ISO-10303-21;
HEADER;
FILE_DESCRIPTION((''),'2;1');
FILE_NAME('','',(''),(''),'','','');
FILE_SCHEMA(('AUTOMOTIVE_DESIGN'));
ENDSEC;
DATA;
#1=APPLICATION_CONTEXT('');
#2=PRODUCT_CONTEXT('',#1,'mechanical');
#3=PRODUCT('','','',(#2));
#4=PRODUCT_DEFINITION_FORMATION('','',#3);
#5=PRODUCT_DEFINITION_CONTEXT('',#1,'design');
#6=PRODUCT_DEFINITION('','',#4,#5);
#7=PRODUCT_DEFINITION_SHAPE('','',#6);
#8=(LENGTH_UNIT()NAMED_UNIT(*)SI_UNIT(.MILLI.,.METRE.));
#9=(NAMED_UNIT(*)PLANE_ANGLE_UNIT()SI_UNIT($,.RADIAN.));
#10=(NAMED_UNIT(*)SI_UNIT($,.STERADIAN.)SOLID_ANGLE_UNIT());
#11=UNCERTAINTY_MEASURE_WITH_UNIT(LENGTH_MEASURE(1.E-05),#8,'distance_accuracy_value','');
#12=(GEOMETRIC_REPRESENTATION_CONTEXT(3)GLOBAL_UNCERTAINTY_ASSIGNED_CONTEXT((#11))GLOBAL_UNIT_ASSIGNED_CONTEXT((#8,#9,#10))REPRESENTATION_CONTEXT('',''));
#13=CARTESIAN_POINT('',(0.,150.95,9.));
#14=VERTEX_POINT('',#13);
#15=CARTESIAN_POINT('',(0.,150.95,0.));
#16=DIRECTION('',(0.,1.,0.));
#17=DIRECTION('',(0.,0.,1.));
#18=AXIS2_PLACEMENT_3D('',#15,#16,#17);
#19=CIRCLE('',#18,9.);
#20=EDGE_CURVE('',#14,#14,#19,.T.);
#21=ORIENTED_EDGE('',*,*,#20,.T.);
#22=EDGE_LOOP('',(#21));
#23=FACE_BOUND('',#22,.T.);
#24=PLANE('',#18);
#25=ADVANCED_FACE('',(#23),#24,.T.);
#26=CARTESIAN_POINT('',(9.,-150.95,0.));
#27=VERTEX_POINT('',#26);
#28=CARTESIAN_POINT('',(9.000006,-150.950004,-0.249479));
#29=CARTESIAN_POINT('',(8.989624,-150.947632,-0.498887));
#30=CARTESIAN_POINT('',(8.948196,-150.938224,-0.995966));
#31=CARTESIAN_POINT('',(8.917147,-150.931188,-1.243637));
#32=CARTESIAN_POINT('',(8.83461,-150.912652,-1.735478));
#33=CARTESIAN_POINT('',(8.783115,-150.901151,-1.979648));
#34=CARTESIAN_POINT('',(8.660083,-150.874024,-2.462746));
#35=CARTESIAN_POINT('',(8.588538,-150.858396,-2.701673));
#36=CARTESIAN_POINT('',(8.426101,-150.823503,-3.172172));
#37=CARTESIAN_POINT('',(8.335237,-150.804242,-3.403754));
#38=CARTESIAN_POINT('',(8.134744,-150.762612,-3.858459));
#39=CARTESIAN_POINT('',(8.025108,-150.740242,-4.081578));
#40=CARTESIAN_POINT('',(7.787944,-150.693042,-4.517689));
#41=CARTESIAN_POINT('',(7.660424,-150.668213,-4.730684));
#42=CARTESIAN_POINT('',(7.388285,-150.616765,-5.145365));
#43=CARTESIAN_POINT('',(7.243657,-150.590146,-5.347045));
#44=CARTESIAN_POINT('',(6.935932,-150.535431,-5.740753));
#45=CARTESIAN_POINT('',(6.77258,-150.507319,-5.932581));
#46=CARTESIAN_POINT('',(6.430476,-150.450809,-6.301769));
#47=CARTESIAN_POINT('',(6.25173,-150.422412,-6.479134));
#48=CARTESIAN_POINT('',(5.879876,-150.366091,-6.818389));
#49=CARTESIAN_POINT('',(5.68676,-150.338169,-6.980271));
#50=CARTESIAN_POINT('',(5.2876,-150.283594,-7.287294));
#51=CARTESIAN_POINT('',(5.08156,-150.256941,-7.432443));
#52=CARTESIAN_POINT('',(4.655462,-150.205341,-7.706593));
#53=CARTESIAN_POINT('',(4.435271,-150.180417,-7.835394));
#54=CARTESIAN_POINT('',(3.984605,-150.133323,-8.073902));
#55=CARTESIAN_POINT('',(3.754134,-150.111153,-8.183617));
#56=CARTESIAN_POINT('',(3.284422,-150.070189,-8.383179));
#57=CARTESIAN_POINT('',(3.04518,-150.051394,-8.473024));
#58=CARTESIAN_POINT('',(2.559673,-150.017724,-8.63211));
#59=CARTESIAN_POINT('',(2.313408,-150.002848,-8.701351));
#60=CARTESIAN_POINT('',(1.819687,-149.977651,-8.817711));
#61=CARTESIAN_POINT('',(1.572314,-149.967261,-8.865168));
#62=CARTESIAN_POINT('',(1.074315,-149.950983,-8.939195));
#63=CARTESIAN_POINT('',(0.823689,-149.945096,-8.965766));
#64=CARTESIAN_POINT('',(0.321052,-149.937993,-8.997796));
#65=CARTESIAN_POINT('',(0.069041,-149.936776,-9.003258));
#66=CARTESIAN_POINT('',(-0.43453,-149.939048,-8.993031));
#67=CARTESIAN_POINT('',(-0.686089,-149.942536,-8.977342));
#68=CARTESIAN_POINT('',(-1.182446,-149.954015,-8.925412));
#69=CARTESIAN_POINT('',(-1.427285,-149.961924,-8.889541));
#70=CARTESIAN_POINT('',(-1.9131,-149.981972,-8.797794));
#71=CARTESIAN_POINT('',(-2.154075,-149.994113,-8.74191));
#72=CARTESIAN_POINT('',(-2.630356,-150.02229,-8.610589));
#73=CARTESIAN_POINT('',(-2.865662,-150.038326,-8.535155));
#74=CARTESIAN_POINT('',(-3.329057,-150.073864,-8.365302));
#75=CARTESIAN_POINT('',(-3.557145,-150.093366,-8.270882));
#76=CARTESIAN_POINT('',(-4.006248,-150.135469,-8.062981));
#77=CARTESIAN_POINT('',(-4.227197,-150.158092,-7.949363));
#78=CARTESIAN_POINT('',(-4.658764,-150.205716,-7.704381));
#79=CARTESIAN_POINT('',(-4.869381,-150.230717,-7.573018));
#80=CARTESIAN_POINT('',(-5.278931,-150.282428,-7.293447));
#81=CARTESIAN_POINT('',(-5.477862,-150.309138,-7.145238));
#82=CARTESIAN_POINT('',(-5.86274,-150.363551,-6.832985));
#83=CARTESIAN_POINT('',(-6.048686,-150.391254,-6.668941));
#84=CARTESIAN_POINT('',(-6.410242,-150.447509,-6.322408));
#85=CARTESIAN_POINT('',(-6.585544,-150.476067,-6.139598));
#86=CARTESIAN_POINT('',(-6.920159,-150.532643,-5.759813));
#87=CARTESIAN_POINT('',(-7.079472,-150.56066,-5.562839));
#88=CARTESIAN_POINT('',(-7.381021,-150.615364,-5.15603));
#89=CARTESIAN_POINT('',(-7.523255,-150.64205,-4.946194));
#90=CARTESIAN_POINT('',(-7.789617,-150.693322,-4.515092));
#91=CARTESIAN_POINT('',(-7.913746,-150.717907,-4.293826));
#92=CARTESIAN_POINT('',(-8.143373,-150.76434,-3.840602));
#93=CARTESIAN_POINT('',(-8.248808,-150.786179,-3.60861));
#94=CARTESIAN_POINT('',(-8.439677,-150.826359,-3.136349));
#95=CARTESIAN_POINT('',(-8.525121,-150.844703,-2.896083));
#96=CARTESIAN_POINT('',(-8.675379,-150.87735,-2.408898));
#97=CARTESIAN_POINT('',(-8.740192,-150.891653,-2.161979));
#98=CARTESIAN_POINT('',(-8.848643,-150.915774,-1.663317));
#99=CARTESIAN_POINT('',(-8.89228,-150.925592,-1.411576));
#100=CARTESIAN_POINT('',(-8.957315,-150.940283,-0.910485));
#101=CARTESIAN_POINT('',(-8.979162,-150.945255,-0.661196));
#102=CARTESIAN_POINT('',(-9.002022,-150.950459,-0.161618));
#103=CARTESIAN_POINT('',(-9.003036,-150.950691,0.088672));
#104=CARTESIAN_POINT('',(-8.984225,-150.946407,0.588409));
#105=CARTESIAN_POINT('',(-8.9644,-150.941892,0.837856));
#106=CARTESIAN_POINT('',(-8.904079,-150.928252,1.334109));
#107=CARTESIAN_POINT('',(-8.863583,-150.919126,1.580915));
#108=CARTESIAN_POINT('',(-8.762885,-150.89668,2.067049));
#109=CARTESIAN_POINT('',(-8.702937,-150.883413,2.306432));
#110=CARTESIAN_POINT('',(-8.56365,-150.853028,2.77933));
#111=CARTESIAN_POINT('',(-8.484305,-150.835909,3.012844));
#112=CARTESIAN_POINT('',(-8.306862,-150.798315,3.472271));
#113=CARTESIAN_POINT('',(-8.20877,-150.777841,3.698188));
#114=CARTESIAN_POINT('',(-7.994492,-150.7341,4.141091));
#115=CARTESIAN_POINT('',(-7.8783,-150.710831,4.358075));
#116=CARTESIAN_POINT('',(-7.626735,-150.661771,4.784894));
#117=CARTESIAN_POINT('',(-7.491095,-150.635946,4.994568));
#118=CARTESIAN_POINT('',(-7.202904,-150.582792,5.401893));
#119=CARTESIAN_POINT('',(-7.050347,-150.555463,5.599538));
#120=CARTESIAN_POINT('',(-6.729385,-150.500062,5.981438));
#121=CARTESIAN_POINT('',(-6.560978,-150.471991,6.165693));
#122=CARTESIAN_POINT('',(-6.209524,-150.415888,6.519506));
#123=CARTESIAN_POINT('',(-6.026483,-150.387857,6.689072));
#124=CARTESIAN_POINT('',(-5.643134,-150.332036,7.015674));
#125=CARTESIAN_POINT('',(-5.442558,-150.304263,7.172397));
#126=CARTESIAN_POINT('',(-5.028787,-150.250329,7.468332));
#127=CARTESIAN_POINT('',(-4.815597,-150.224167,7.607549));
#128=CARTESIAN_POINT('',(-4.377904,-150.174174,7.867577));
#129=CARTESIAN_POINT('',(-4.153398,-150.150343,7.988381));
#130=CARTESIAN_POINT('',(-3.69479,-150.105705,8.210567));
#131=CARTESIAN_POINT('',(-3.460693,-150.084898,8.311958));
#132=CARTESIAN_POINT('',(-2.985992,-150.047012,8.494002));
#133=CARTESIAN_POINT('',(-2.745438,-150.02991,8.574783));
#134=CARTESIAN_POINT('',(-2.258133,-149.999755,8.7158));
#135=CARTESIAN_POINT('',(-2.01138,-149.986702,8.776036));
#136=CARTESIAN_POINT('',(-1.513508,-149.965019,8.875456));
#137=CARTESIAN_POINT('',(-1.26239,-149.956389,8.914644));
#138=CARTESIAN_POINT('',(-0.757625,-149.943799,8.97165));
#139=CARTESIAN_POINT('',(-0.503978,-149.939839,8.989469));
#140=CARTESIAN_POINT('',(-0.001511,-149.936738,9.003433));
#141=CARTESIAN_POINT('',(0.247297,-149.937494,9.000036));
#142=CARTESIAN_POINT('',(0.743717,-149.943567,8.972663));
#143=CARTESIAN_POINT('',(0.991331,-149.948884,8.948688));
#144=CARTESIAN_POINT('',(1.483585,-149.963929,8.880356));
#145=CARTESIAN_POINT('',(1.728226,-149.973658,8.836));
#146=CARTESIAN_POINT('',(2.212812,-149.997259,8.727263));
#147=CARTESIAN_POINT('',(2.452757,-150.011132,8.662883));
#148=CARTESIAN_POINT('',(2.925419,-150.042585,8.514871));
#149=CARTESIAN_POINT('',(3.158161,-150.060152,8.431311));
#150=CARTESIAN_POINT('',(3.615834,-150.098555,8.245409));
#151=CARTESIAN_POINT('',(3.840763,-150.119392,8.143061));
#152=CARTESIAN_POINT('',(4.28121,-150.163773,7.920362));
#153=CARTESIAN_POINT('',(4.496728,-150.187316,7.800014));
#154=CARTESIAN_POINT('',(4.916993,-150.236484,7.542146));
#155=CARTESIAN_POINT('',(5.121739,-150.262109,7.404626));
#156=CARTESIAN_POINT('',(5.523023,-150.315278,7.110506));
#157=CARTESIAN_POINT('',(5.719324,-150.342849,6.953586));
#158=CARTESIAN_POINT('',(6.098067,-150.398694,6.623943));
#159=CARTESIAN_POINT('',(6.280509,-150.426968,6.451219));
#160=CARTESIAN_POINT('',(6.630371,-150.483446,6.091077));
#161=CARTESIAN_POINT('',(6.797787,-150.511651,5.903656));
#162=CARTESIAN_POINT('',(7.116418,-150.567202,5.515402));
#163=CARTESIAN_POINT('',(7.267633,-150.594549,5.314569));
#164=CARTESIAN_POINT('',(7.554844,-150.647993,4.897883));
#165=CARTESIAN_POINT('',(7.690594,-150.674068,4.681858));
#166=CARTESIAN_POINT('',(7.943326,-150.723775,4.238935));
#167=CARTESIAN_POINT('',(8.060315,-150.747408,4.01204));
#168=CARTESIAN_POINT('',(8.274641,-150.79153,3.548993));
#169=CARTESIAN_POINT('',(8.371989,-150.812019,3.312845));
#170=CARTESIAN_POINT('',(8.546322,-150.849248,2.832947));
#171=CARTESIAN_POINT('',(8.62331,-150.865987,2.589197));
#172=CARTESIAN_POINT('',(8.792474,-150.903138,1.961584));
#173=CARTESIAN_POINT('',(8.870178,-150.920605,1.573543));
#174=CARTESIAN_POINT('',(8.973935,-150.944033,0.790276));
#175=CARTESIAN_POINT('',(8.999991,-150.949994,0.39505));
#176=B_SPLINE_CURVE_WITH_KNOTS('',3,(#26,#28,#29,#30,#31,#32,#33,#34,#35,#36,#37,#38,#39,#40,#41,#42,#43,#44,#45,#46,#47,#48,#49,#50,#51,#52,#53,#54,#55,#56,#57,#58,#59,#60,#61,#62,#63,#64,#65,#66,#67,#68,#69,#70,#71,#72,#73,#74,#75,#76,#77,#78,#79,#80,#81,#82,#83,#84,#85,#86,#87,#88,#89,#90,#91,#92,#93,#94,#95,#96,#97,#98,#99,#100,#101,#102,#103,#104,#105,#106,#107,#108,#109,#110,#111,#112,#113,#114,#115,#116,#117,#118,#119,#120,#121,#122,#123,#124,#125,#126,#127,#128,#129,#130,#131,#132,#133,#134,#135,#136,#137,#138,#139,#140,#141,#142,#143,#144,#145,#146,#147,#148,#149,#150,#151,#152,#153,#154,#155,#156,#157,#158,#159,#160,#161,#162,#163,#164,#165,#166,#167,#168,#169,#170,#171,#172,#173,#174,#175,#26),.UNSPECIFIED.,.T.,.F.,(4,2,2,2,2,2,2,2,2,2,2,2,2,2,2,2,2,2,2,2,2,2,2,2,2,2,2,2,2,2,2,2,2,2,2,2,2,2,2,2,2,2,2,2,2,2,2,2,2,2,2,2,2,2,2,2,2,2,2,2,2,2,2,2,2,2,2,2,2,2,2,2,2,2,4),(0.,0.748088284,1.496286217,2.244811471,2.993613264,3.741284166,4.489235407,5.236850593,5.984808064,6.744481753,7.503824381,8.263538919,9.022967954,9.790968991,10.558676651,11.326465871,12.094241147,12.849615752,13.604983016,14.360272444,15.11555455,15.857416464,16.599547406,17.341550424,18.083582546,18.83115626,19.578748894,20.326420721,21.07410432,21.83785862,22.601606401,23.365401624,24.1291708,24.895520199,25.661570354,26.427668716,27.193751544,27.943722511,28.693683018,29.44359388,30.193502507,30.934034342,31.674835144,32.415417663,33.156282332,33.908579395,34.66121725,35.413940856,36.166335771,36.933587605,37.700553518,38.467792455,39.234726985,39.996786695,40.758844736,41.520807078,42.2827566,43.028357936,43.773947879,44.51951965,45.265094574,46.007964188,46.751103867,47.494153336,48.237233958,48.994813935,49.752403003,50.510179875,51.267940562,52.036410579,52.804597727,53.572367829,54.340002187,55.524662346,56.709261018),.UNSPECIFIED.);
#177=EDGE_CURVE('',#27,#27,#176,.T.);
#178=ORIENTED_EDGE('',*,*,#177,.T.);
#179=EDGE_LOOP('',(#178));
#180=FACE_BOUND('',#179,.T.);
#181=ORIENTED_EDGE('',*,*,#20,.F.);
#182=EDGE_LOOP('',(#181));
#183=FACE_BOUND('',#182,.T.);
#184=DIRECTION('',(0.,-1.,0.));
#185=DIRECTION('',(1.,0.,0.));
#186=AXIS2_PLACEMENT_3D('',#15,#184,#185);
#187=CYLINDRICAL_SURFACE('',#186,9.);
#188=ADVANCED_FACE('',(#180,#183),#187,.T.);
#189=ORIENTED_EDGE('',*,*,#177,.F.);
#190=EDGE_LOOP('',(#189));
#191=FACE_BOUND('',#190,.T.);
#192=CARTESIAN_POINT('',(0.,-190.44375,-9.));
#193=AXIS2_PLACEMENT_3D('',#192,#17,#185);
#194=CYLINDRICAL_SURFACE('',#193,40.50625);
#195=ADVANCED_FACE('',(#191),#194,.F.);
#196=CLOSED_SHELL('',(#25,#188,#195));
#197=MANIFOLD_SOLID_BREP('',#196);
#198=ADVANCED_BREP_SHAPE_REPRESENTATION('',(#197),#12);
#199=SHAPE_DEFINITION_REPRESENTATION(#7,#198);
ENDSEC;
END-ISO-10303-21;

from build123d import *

# Parameters (mm, degrees)
SKETCH2_R               = 9
CUT_EXTRUDE1_DEPTH      = 152.485651136
CUT_EXTRUDE1_DEPTH_BACK = 152.485651136


with BuildPart() as part:
    # Sweep1: sweep along a path in Sketch1
    with BuildLine(Plane.XY) as sweep1_path:
        Line((0, -150.95), (0, 150.95))
    # Sketch2 → Sweep1 (sweep)
    with BuildSketch(Plane(origin=(0, 0, 0), x_dir=(1, 0, 0), z_dir=(0, 1, 0))):
        Circle(SKETCH2_R)
    sweep(path=sweep1_path.line)

    # Sketch3 → Cut-Extrude1 (cut, two sides: drawn at the far end of the back side and taken through both)
    with BuildSketch(Plane.XY.offset(-CUT_EXTRUDE1_DEPTH_BACK)):
        with BuildLine():
            ThreePointArc((9, -150.95), (0, -149.9375), (-9, -150.95))
            Line((-9, -150.95), (0, -150.95))
            Line((0, -150.95), (9, -150.95))
        make_face()
    extrude(amount=CUT_EXTRUDE1_DEPTH + CUT_EXTRUDE1_DEPTH_BACK, mode=Mode.SUBTRACT)


solid = part.part
